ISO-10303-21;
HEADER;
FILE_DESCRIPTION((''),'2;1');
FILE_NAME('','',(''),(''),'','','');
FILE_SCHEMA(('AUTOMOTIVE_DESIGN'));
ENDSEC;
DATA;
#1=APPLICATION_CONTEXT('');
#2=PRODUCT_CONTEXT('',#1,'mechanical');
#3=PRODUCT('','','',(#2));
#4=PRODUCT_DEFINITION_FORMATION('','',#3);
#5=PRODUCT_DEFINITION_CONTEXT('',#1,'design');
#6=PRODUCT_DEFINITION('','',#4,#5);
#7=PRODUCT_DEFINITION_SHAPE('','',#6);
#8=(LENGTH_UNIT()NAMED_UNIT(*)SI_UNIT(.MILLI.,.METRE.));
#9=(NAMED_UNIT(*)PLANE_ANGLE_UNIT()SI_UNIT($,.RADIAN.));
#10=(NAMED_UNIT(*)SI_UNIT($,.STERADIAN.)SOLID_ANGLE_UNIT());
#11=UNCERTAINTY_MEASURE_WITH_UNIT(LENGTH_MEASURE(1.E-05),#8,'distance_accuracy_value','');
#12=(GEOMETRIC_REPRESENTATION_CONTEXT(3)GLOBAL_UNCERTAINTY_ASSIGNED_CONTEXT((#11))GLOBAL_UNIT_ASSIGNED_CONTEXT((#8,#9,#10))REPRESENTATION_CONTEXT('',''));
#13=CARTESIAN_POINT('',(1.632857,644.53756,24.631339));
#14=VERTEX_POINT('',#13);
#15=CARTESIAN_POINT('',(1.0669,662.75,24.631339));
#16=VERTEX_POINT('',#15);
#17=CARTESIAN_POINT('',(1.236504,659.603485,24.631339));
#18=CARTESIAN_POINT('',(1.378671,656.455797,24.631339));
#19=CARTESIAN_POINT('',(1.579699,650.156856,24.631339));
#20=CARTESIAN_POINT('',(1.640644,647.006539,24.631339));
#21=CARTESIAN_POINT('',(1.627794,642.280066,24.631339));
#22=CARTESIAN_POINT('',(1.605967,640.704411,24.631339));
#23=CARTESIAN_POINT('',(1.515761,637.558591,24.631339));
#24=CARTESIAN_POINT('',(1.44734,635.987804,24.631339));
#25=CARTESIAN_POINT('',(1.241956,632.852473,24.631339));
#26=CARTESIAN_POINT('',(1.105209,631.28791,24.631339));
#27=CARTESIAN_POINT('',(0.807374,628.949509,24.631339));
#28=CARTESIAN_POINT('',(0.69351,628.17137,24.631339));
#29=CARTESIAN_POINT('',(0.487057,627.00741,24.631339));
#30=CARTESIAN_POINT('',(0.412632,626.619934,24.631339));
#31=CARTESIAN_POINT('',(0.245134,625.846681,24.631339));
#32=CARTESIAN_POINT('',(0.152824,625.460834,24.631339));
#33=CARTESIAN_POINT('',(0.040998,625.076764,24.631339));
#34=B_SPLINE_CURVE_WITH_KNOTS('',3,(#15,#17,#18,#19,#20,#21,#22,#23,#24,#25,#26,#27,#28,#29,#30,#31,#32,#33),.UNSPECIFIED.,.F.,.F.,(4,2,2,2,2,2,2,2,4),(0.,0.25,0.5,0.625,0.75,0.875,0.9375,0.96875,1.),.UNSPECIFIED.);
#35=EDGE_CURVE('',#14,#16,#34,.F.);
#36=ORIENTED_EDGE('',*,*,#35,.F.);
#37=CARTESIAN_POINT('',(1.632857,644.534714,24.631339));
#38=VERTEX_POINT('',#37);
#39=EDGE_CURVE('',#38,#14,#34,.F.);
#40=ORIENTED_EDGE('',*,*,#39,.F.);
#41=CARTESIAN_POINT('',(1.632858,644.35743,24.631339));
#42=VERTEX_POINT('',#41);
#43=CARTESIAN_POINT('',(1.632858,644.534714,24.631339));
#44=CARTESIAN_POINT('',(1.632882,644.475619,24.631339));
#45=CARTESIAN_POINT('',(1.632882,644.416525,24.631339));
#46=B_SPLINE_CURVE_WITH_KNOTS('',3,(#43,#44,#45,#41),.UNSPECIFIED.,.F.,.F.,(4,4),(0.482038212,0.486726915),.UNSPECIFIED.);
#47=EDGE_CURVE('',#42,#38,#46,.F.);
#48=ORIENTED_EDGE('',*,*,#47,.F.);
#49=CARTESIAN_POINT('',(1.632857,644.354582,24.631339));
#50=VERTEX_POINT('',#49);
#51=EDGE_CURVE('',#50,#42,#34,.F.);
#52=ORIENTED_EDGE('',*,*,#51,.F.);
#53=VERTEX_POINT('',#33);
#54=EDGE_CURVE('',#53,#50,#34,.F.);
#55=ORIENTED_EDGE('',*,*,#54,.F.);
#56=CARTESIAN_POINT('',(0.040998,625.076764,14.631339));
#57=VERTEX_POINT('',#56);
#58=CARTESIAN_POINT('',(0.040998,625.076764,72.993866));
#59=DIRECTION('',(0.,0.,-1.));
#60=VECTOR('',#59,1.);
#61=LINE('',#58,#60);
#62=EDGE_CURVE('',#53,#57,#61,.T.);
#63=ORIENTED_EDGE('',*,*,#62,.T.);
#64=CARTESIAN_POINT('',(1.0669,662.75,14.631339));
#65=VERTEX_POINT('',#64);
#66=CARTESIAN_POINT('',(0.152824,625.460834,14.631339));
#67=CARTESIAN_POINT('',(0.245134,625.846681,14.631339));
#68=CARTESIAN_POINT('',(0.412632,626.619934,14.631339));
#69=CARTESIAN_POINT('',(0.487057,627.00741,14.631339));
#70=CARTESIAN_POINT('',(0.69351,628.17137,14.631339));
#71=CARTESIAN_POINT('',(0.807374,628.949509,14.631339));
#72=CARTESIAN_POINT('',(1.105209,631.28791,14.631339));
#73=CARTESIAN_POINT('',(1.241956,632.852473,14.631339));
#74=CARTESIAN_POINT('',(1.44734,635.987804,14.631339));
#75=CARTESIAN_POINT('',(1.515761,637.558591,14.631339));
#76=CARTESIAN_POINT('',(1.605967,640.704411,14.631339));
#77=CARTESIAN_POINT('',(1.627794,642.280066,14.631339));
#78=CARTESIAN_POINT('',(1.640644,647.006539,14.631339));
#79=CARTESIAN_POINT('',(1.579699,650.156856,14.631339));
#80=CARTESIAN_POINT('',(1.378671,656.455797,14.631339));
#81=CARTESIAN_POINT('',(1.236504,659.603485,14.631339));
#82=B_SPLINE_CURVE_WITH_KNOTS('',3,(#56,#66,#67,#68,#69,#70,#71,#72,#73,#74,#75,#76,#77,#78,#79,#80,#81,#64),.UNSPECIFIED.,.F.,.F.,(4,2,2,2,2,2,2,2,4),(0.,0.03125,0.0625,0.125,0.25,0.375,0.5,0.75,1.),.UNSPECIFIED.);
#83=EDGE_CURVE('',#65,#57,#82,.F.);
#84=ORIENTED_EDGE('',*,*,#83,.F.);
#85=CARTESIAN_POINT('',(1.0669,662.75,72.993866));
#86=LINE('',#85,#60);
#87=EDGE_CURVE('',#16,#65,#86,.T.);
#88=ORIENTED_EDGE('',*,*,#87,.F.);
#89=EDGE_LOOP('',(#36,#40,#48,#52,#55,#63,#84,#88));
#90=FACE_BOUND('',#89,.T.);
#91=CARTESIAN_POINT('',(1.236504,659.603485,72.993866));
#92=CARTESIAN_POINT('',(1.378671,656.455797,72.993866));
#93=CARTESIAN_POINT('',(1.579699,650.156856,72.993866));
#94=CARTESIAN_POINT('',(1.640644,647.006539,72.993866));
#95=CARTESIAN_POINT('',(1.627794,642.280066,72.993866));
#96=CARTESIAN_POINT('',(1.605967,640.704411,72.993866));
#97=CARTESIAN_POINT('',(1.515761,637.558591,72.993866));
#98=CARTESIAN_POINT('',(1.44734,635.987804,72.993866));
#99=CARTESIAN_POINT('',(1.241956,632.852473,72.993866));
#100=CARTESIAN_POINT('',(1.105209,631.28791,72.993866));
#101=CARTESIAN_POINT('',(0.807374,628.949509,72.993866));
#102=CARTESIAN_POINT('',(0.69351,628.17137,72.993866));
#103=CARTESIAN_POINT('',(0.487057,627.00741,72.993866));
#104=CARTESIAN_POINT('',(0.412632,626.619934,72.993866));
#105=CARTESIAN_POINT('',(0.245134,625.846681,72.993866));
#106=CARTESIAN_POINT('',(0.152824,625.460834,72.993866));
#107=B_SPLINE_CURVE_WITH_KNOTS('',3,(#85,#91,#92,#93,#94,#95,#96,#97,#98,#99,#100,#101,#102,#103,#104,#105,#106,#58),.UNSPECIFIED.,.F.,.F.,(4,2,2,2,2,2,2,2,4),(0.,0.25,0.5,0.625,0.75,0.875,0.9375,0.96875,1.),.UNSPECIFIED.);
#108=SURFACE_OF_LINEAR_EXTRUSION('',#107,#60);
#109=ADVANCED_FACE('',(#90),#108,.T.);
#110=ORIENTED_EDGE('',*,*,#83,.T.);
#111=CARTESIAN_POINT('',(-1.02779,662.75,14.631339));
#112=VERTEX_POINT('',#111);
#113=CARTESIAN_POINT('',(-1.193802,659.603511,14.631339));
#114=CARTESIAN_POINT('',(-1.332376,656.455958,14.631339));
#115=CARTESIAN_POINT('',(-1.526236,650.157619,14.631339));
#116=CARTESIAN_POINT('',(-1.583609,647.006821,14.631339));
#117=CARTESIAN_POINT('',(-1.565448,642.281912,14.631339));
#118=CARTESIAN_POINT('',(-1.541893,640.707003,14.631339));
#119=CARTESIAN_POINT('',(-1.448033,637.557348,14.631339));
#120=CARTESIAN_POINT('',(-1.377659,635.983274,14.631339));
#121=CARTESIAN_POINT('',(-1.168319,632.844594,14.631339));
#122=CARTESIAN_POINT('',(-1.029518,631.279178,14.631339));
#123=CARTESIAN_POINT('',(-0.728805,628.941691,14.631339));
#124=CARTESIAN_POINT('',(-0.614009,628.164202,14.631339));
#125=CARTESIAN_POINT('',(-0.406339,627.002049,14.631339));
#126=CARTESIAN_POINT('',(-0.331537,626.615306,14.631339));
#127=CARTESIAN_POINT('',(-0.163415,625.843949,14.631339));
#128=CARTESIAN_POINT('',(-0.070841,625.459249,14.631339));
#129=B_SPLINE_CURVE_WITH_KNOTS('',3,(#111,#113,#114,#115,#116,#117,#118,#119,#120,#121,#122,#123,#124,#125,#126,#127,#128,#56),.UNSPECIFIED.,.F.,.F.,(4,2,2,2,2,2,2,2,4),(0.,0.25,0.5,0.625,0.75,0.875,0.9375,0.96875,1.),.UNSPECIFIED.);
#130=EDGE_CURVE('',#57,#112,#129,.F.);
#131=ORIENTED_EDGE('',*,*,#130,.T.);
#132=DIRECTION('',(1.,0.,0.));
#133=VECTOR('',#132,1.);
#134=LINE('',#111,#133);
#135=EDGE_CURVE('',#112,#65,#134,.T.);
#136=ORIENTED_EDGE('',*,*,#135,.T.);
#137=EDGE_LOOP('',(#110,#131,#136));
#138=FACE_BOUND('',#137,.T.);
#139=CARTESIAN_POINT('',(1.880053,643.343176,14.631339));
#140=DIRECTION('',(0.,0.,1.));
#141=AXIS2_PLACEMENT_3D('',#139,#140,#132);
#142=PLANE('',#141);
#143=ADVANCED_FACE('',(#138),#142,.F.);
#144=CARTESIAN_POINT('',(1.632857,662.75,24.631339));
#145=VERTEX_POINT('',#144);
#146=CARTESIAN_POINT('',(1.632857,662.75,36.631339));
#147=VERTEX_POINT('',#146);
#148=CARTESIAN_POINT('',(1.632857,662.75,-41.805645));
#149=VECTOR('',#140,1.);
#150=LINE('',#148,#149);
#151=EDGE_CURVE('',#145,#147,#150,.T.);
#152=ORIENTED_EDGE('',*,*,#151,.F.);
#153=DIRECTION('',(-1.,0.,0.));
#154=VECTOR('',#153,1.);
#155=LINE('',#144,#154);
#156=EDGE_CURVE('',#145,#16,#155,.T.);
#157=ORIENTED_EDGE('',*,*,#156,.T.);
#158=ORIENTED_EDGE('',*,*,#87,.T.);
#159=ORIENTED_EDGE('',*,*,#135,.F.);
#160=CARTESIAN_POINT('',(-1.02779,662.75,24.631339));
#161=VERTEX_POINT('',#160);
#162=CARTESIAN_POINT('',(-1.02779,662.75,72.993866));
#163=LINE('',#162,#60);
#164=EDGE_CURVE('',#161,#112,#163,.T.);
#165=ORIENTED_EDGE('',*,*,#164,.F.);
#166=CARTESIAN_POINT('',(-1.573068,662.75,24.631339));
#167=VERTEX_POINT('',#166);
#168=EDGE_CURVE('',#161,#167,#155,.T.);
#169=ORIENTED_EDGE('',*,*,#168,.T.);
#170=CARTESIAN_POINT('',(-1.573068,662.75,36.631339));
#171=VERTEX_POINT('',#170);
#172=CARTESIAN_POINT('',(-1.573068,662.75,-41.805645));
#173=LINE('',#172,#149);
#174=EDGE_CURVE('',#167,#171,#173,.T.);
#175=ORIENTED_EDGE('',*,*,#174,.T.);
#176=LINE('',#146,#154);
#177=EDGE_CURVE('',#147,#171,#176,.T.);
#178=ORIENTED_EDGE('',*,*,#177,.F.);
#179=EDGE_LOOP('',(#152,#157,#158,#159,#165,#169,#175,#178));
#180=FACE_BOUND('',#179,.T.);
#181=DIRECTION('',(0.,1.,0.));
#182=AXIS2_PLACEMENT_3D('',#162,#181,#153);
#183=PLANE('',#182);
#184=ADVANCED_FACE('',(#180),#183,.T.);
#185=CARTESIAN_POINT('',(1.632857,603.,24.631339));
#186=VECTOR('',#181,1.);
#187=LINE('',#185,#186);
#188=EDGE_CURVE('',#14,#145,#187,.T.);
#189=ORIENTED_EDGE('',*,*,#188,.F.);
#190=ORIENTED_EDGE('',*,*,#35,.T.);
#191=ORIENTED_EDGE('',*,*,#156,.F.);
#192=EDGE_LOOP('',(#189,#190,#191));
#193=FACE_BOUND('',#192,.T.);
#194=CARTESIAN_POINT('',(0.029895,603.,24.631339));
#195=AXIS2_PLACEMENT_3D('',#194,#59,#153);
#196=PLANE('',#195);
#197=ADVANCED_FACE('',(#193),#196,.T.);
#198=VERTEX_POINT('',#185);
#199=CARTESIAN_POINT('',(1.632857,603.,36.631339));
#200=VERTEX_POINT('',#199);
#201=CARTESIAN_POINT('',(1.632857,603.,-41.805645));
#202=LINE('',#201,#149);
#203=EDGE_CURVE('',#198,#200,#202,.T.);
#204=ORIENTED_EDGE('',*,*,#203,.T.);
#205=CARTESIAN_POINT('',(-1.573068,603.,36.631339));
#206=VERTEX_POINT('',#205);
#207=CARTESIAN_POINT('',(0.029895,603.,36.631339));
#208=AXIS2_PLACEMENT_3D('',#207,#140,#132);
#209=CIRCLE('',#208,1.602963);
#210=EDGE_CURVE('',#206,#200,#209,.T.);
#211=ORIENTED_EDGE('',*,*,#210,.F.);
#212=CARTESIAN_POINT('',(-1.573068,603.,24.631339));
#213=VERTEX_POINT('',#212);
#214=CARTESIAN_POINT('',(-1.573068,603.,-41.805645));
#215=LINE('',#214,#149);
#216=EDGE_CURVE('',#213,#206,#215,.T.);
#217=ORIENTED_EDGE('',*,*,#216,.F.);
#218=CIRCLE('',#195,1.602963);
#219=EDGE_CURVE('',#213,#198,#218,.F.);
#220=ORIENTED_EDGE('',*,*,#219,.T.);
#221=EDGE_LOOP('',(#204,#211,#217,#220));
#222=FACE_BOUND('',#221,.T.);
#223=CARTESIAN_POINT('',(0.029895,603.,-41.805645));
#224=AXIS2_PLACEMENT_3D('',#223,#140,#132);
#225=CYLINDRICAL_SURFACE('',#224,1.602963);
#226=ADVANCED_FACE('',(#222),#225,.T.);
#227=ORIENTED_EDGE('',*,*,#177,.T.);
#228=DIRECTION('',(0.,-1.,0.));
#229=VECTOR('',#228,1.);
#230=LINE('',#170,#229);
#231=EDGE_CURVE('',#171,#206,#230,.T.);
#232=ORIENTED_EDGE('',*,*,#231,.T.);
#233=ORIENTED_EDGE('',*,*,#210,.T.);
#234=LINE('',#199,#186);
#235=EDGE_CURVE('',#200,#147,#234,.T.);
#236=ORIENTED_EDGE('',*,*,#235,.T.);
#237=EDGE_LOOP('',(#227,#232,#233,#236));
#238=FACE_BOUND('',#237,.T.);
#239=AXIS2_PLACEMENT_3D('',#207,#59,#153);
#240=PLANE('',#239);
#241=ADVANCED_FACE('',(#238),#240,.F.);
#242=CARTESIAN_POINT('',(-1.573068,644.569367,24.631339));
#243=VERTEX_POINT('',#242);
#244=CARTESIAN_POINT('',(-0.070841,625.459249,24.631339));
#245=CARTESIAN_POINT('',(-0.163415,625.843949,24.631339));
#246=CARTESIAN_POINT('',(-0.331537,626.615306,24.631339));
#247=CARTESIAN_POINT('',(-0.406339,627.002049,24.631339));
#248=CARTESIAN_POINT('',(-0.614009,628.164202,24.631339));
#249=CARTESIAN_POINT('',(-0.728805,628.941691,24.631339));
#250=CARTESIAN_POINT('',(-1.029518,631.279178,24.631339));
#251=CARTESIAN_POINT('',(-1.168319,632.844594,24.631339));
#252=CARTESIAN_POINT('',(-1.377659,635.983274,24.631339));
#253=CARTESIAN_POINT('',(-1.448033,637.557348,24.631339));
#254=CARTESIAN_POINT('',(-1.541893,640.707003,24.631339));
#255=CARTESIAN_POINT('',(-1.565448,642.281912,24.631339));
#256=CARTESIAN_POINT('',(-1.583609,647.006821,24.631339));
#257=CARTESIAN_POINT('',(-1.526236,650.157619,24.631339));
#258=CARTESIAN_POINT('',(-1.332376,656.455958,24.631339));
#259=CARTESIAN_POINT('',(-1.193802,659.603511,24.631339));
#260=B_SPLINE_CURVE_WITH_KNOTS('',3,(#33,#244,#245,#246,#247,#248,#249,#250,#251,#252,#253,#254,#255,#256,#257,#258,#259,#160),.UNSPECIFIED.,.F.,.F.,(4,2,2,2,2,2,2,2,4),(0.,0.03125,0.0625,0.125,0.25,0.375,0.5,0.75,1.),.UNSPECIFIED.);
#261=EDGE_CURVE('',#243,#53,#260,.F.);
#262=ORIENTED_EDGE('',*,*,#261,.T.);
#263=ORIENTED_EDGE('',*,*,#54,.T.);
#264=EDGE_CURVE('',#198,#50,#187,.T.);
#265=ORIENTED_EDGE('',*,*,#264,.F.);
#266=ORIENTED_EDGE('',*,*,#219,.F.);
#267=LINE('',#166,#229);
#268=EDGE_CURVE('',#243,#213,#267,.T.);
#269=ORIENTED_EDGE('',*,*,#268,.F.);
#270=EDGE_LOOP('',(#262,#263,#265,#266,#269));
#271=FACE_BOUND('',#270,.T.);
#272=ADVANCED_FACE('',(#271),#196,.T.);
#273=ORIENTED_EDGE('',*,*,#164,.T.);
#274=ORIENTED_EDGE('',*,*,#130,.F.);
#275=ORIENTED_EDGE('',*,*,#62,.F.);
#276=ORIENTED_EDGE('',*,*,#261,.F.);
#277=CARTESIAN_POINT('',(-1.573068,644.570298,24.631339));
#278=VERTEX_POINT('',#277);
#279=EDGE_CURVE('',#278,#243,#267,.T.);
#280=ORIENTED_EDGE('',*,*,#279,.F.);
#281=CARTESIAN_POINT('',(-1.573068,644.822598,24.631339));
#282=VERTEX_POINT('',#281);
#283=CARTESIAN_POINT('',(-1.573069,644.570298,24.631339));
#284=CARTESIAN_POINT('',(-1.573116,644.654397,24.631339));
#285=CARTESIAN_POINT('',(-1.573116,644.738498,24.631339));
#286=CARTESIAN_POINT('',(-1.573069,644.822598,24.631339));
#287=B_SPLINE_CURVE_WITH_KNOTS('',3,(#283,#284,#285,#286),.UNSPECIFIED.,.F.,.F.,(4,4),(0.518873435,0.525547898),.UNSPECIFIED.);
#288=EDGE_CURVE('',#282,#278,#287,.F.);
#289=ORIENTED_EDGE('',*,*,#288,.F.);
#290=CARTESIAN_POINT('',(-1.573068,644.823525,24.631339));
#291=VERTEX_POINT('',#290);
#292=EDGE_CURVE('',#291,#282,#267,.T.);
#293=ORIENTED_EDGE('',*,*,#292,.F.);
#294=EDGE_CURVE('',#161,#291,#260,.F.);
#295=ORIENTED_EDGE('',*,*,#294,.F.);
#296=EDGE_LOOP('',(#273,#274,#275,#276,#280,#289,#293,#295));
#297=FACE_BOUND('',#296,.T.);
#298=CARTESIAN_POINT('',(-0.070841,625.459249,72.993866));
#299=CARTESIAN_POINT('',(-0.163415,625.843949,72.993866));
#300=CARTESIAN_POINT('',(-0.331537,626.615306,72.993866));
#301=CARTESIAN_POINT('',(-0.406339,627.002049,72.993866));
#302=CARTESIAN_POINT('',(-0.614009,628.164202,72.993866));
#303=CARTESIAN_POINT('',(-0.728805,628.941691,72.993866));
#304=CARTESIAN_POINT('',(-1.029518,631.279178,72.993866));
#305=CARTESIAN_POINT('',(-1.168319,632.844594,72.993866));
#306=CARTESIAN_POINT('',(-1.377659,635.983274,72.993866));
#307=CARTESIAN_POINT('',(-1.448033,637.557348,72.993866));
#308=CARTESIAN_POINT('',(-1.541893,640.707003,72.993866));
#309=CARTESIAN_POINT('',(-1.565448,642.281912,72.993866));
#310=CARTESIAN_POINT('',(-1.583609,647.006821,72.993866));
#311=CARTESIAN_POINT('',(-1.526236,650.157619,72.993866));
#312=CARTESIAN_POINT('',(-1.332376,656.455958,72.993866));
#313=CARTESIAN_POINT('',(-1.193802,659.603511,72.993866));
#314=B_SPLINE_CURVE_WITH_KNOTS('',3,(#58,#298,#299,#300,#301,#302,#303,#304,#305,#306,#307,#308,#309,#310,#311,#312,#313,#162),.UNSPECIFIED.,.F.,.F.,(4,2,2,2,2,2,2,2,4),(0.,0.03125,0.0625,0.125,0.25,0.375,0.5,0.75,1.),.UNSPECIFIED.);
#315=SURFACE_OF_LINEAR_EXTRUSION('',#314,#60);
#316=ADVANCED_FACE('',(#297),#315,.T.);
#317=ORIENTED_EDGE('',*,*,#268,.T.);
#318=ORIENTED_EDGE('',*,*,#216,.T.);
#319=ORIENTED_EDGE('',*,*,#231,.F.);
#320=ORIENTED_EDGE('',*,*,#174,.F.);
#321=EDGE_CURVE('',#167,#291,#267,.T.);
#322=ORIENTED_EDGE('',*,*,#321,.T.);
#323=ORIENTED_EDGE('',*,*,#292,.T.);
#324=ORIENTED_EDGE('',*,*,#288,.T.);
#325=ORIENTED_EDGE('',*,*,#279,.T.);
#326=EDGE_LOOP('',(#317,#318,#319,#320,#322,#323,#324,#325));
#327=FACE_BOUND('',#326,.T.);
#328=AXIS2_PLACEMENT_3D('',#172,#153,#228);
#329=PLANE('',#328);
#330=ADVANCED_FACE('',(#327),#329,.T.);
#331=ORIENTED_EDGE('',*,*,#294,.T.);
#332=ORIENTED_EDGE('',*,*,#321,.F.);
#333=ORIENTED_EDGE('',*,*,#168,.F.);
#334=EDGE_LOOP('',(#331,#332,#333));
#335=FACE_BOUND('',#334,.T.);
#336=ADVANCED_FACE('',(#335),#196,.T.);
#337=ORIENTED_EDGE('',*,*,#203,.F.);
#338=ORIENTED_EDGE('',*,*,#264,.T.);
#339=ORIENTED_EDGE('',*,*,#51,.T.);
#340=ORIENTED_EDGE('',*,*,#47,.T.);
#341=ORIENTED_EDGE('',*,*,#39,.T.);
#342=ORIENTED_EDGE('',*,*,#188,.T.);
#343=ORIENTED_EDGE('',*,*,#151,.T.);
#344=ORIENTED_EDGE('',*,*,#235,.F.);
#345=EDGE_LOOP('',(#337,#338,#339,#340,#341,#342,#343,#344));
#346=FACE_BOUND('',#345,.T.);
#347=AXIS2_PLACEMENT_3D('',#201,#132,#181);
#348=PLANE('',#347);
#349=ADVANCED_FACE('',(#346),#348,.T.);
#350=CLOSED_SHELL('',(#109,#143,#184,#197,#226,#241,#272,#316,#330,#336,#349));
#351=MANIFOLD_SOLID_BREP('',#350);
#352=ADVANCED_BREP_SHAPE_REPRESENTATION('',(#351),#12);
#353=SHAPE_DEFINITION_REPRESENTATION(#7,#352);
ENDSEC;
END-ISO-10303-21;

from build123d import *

# Parameters (mm, degrees)
BOSS_EXTRUDE1_DEPTH = 12
BOSS_EXTRUDE2_DEPTH = 10
SKETCH4_W           = 13.751659717
SKETCH4_H           = 46.366215506
CUT_EXTRUDE1_DEPTH  = 10
SKETCH5_W           = 8.283570047
SKETCH5_H           = 65.91855038
CUT_EXTRUDE2_DEPTH  = 12


with BuildPart() as part:
    # Sketch2 → Boss-Extrude1 (new body)
    with BuildSketch(Plane(origin=(0, 0, 24.631338753), x_dir=(-1, 0, 0), z_dir=(0, 0, -1))):
        with BuildLine():
            Line((1.823068058, 603), (1.823068058, 663))
            Line((1.823068058, 663), (-1.882857166, 663))
            Line((-1.882857166, 663), (-1.882857166, 603))
            ThreePointArc((-1.882857166, 603), (-0.029894554, 601.147037388), (1.823068058, 603))
        make_face()
    extrude(amount=-BOSS_EXTRUDE1_DEPTH)

    # Sketch3 → Boss-Extrude2 (add)
    with BuildSketch(Plane(origin=(0, 0, 24.631338753), x_dir=(-1, 0, 0), z_dir=(0, 0, -1))):
        with BuildLine():
            Line((1.264894076, 663), (-1.303734146, 663))
            add(Edge.make_bspline(
                [(-1.303734146, 663), (-1.370231135, 661.776635062), (-1.590250356, 657.449713113), (-1.807353062, 651.572171687), (-1.896585428, 645.372497792), (-1.86904968, 640.732879739), (-1.745534221, 636.874692995), (-1.562088565, 633.805492743), (-1.371788238, 631.514699269), (-1.110556109, 629.246267473), (-0.82006967, 627.376977333), (-0.524480825, 625.91989796), (-0.290142677, 624.999996337), (-0.11575841, 624.480032386), (-0.0414459, 624.290359908)],
                knots=[0.640306561, 0.640306561, 0.640306561, 0.640306561, 0.664641164, 0.726373771, 0.757240075, 0.788106379, 0.818972683, 0.834405835, 0.849838987, 0.865272139, 0.88070529, 0.888421866, 0.896138442, 0.901180622, 0.901180622, 0.901180622, 0.901180622], degree=3))
            add(Edge.make_bspline(
                [(-0.0414459, 624.290359908), (0.033082795, 624.479947544), (0.208059728, 624.999712352), (0.443446447, 625.919346223), (0.740696225, 627.376087666), (1.033313538, 629.245045426), (1.297131595, 631.513177934), (1.490043391, 633.803752969), (1.676987934, 636.872742091), (1.804901792, 640.730785516), (1.837726863, 645.370369162), (1.755562421, 651.570140757), (1.545143008, 657.448413886), (1.33002573, 661.776072077), (1.264894076, 663)],
                knots=[0.516530112, 0.516530112, 0.516530112, 0.516530112, 0.521572291, 0.529288867, 0.537005443, 0.552438595, 0.567871747, 0.583304899, 0.598738051, 0.629604354, 0.660470658, 0.691336962, 0.75306957, 0.777413882, 0.777413882, 0.777413882, 0.777413882], degree=3))
        make_face()
    extrude(amount=BOSS_EXTRUDE2_DEPTH)

    # Sketch4 → Cut-Extrude1 (cut)
    with BuildSketch(Plane(origin=(0, 0, 14.631338753), x_dir=(-1, 0, 0), z_dir=(0, 0, -1))):
        with Locations((-1.173878519, 643.806595501)):
            Rectangle(SKETCH4_W, SKETCH4_H)
        with BuildLine():
            Line((1.027790464, 662.75), (-1.066900471, 662.75))
            add(Edge.make_bspline(
                [(-1.066900471, 662.75), (-1.236503852, 659.603485126), (-1.378670819, 656.455796636), (-1.57969897, 650.156856184), (-1.640644161, 647.006539015), (-1.627793637, 642.280065577), (-1.605967013, 640.704411435), (-1.51576118, 637.5585905), (-1.447339544, 635.987803899), (-1.241955745, 632.852473359), (-1.105208785, 631.287909819), (-0.807374159, 628.949508907), (-0.693510346, 628.171370392), (-0.487056782, 627.00741033), (-0.412632368, 626.619934288), (-0.245133833, 625.846680816), (-0.152824444, 625.460833735), (-0.040997635, 625.076764299)],
                knots=[0, 0, 0, 0, 0.25, 0.25, 0.5, 0.5, 0.625, 0.625, 0.75, 0.75, 0.875, 0.875, 0.9375, 0.9375, 0.96875, 0.96875, 1, 1, 1, 1], degree=3))
            add(Edge.make_bspline(
                [(-0.040997635, 625.076764299), (0.070840901, 625.459248905), (0.163415052, 625.843948539), (0.33153675, 626.615305535), (0.406338832, 627.002048611), (0.614008944, 628.164202165), (0.728805435, 628.941690519), (1.029518166, 631.279177553), (1.168319449, 632.844593533), (1.37765883, 635.983274427), (1.448032565, 637.557347723), (1.541893042, 640.707003283), (1.565447656, 642.281912238), (1.583609245, 647.006821426), (1.526236009, 650.157618773), (1.332376457, 656.455957525), (1.193802364, 659.603511067), (1.027790464, 662.75)],
                knots=[0, 0, 0, 0, 0.03125, 0.03125, 0.0625, 0.0625, 0.125, 0.125, 0.25, 0.25, 0.375, 0.375, 0.5, 0.5, 0.75, 0.75, 1, 1, 1, 1], degree=3))
        make_face(mode=Mode.SUBTRACT)
    extrude(amount=-CUT_EXTRUDE1_DEPTH, mode=Mode.SUBTRACT)

    # Sketch5 → Cut-Extrude2 (cut)
    with BuildSketch(Plane.XY.offset(36.631338753)):
        with Locations((0.019038526, 632.037504846)):
            Rectangle(SKETCH5_W, SKETCH5_H)
        with BuildLine():
            Line((1.632857166, 603), (1.632857166, 662.75))
            Line((1.632857166, 662.75), (-1.573068058, 662.75))
            Line((-1.573068058, 662.75), (-1.573068058, 603))
            ThreePointArc((-1.573068058, 603), (0.029894554, 601.397037388), (1.632857166, 603))
        make_face(mode=Mode.SUBTRACT)
    extrude(amount=-CUT_EXTRUDE2_DEPTH, mode=Mode.SUBTRACT)


solid = part.part
